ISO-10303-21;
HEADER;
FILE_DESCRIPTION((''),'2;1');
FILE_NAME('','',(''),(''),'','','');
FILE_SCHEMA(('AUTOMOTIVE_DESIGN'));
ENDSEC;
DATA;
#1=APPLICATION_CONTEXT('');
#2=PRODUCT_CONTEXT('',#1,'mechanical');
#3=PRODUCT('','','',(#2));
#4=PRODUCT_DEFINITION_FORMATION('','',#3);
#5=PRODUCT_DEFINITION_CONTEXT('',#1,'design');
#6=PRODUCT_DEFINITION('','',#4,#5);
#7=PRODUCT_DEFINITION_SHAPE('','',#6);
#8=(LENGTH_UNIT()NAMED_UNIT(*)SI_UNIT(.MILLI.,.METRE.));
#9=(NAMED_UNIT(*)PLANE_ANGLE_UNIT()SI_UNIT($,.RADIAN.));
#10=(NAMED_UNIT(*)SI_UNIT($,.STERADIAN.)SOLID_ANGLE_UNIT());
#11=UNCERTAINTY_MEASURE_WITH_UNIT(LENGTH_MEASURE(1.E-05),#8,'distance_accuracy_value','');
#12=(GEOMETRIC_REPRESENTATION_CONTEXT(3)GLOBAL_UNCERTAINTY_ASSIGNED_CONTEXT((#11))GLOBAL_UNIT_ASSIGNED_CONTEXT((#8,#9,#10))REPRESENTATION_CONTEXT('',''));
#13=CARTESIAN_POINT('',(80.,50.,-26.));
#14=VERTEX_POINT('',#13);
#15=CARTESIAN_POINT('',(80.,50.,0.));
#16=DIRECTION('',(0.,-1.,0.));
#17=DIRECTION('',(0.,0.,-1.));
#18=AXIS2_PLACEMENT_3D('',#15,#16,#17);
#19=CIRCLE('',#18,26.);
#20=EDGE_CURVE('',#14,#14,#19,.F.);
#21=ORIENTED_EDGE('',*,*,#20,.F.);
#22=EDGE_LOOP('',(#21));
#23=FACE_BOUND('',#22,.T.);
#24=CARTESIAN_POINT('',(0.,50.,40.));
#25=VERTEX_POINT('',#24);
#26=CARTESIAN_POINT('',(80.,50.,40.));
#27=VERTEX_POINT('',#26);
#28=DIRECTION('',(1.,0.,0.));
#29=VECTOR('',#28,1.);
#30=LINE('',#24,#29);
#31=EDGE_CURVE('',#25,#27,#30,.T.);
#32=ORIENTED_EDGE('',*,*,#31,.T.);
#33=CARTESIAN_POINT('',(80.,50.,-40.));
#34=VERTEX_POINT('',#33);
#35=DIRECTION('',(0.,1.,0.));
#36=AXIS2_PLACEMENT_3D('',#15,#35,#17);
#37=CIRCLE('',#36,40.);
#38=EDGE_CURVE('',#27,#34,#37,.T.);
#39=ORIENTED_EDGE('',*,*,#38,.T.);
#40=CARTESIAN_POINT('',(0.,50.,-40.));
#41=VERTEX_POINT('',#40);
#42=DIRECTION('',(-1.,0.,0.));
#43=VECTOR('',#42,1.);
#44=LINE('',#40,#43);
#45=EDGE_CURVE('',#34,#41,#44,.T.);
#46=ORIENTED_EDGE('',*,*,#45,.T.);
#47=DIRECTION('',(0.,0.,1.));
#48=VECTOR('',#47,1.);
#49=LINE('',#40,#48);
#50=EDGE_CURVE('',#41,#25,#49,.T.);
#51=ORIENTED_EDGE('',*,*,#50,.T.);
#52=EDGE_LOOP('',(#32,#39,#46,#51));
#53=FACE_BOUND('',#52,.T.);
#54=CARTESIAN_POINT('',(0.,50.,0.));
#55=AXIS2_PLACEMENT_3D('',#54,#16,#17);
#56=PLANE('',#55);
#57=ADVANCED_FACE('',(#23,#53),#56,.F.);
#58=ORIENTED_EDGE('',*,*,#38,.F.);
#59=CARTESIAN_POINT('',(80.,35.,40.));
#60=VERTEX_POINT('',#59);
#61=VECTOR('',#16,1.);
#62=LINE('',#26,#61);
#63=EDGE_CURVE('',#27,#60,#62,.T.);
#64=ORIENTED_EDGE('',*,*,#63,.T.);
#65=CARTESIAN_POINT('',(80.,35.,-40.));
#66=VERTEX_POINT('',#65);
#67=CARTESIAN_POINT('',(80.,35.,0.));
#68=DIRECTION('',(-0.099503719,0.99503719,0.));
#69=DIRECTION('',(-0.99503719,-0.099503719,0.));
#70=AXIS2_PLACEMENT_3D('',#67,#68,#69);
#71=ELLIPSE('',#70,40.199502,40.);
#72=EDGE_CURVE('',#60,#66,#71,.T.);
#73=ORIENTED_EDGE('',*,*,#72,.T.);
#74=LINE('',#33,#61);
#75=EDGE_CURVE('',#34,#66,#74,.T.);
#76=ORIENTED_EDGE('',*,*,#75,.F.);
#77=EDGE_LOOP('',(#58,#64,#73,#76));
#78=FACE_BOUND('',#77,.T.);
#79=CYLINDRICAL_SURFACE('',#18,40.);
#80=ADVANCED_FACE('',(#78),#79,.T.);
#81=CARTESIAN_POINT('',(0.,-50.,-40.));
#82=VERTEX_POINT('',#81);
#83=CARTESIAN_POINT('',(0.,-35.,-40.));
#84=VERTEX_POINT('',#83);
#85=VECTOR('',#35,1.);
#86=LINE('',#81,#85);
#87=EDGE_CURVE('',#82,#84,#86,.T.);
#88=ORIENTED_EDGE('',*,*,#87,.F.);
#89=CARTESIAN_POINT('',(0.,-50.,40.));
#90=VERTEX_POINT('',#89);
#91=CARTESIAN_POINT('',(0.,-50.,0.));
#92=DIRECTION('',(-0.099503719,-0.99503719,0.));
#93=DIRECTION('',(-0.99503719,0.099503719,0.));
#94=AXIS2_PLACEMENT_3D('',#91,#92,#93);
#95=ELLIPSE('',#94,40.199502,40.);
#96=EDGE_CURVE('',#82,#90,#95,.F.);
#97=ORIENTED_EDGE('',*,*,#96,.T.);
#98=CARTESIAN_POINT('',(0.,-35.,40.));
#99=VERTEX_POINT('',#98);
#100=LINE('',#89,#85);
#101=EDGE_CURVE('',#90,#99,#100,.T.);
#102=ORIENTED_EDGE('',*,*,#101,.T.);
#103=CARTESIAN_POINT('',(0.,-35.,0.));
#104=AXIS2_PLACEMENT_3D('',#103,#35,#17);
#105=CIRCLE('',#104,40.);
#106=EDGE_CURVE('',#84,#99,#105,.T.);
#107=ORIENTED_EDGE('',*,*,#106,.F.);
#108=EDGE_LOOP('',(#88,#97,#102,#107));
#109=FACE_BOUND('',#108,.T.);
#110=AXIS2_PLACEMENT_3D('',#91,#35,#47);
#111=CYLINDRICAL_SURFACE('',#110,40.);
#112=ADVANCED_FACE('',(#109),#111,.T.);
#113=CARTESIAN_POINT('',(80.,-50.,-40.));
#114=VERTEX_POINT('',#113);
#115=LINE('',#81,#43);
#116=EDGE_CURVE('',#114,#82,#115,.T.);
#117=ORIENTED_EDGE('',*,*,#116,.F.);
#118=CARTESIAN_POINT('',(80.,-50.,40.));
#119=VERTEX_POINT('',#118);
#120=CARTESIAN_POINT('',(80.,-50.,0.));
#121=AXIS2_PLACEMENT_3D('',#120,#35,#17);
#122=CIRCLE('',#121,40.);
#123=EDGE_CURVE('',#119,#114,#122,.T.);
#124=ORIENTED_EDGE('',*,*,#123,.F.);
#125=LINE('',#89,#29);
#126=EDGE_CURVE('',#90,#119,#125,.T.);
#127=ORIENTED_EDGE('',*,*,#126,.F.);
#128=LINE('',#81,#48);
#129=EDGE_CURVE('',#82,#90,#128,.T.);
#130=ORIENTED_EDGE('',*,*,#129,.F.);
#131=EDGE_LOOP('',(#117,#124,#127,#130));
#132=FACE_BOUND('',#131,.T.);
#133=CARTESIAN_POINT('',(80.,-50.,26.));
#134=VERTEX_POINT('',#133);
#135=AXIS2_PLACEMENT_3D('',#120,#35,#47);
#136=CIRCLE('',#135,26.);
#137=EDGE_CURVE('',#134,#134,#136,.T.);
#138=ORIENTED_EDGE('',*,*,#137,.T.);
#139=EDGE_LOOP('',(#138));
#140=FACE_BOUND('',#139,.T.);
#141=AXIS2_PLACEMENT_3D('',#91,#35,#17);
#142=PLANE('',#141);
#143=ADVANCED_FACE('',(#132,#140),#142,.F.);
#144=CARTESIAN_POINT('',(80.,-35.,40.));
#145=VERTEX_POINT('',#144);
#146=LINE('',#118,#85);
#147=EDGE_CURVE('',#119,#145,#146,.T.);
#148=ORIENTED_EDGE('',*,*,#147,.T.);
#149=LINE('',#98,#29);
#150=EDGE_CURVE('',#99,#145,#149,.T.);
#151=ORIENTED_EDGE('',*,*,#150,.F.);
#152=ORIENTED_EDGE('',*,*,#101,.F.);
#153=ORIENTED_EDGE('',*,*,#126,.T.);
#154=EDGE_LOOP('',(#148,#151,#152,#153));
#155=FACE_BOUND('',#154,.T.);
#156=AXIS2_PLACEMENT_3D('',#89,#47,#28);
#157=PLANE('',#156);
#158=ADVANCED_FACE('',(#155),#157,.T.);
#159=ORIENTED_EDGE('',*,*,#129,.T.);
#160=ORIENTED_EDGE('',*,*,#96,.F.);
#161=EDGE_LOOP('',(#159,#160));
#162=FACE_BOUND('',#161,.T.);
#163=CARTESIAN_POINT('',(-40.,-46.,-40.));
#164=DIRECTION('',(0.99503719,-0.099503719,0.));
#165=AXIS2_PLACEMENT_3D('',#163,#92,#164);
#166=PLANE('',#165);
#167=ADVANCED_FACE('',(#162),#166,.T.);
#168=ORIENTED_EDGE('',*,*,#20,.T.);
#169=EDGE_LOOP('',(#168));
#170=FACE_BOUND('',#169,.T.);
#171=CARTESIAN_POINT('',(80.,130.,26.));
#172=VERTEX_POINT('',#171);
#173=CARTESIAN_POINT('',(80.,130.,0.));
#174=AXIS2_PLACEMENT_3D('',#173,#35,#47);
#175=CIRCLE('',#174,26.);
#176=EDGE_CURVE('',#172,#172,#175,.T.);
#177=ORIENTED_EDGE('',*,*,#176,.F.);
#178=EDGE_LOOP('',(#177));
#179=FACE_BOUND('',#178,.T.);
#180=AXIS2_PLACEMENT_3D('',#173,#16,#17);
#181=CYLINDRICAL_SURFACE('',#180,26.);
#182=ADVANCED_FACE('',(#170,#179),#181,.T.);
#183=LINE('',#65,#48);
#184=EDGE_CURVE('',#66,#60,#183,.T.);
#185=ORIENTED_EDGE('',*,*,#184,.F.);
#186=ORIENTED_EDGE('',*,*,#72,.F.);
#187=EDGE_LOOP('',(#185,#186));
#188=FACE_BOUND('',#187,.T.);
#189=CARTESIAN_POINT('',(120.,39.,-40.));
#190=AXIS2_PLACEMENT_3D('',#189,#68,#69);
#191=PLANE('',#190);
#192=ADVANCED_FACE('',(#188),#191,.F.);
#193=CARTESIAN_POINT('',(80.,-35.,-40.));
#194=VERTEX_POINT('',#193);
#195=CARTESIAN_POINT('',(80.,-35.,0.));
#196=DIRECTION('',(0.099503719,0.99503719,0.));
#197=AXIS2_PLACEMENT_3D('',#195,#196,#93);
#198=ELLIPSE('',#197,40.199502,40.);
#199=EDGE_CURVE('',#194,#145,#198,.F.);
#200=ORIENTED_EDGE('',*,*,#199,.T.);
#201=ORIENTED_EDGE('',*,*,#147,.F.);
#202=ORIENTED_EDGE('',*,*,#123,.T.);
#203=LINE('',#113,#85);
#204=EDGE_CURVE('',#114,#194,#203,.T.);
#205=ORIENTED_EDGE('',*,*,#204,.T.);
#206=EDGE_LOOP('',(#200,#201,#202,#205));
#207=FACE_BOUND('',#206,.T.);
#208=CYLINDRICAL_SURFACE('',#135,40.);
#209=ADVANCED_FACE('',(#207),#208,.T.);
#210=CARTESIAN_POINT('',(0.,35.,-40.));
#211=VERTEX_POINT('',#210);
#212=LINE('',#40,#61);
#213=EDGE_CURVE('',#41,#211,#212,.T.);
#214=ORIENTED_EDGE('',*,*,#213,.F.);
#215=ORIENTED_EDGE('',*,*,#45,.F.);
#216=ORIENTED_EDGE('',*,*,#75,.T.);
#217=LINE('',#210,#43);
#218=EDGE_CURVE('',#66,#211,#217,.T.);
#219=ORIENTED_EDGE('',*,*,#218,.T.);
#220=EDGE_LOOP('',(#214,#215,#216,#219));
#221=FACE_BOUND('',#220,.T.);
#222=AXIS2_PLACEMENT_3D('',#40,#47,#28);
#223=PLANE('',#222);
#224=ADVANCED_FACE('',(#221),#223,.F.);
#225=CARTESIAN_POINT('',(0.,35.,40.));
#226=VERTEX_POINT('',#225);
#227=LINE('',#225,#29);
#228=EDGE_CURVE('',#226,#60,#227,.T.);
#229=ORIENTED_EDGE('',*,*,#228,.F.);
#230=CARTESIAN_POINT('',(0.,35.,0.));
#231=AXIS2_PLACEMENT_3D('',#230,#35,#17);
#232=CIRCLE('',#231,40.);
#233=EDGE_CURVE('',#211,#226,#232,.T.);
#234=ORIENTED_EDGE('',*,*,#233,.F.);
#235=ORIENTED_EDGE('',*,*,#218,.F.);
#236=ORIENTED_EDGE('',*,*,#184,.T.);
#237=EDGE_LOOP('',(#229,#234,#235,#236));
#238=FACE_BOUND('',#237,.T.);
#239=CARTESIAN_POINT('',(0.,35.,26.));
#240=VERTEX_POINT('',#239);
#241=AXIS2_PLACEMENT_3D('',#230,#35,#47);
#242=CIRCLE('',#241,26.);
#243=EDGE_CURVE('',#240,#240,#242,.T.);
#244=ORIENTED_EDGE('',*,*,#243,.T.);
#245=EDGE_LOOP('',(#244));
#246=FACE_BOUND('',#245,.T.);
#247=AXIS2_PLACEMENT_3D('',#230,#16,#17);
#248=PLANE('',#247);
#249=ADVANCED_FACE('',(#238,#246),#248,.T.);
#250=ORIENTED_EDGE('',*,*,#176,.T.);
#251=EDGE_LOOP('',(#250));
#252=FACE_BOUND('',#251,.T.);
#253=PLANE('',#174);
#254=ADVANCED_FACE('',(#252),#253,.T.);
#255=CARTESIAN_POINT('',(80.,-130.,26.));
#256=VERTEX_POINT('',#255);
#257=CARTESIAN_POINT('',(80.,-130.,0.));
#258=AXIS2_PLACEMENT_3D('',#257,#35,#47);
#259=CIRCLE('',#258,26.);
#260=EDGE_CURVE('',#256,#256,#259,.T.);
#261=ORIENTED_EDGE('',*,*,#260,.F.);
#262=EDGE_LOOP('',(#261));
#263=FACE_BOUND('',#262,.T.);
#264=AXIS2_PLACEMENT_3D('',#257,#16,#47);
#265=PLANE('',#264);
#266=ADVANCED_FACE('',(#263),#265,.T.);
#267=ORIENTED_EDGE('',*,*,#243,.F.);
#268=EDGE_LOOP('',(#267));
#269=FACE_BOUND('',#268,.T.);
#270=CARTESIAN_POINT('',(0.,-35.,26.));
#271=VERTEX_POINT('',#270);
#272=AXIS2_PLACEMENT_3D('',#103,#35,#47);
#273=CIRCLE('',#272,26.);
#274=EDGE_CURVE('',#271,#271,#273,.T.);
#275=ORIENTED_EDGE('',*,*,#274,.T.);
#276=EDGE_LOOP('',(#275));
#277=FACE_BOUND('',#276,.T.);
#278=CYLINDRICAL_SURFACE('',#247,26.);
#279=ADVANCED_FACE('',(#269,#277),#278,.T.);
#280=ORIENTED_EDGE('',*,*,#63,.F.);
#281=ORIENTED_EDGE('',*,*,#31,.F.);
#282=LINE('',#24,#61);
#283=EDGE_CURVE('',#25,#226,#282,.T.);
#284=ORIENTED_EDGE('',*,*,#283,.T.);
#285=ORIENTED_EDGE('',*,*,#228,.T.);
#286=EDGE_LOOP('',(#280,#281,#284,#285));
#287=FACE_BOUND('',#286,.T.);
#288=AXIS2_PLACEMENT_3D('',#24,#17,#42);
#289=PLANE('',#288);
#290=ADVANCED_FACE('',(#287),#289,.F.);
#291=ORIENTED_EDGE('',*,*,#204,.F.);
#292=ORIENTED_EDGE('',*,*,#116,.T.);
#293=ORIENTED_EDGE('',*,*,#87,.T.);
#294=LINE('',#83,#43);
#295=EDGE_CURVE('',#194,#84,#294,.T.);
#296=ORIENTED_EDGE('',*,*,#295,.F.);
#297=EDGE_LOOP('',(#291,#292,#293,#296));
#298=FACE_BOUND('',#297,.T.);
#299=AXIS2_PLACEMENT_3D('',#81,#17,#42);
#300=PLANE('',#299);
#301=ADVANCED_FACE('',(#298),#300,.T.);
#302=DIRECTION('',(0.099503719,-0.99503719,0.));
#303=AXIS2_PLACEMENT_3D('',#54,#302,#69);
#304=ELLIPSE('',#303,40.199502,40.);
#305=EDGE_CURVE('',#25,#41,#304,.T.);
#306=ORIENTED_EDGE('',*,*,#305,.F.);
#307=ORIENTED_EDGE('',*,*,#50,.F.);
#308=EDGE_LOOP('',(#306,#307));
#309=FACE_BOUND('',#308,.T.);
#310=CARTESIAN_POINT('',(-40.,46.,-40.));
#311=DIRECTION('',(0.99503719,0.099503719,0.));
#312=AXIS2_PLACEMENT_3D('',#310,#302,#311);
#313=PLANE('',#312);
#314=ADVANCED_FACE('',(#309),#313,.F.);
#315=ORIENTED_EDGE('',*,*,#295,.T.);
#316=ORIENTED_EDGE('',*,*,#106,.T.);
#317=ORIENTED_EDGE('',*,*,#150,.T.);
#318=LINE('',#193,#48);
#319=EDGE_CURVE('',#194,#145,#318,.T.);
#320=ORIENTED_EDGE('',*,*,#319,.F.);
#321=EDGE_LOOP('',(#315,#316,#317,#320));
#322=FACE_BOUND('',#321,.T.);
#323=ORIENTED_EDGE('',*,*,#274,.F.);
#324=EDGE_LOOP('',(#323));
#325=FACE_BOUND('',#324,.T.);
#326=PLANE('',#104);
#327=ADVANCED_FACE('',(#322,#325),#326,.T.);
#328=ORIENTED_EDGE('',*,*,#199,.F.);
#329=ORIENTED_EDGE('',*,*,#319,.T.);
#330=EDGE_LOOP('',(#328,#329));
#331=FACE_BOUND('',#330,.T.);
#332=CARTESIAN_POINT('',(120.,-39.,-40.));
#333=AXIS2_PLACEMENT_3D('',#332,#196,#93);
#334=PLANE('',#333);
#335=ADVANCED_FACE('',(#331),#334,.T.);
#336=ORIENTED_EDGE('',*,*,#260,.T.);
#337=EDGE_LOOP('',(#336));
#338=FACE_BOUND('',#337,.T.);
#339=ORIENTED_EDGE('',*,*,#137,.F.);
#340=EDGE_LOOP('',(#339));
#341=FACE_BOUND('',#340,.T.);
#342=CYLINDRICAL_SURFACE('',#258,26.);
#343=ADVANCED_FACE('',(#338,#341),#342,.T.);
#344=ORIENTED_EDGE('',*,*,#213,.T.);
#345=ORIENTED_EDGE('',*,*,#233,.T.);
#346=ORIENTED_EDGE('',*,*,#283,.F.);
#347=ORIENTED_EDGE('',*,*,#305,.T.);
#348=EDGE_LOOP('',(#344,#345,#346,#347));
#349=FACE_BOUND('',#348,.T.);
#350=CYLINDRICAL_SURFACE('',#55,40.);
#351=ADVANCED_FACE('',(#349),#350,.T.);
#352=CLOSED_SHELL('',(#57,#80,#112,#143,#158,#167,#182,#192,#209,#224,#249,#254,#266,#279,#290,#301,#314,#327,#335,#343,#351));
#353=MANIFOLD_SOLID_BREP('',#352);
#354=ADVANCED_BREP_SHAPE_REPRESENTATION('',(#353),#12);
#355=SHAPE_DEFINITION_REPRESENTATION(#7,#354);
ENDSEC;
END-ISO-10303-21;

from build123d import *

# Parameters (mm, degrees)
SKETCH1_R               = 26
BOSS_EXTRUDE1_DEPTH     = 35
BOSS_EXTRUDE2_DEPTH     = 15
SKETCH5_R               = 26
BOSS_EXTRUDE3_DEPTH     = 80
CUT_EXTRUDE2_DEPTH      = 41
CUT_EXTRUDE2_DEPTH_BACK = 41


with BuildPart() as part:
    # Sketch1 → Boss-Extrude1 (new body, symmetric)
    with BuildSketch(Plane(origin=(0, 0, 0), x_dir=(1, 0, 0), z_dir=(0, 1, 0))):
        Circle(SKETCH1_R)
    extrude(amount=BOSS_EXTRUDE1_DEPTH, both=True)

    # Sketch3 → Boss-Extrude2 (add)
    with BuildSketch(Plane(origin=(0, 35, 0), x_dir=(1, 0, 0), z_dir=(0, 1, 0))):
        with BuildLine():
            Line((0, 40), (80, 40))
            ThreePointArc((80, 40), (120, 0), (80, -40))
            Line((80, -40), (0, -40))
            ThreePointArc((0, -40), (-40, 0), (0, 40))
        make_face()
    boss_extrude2 = extrude(amount=BOSS_EXTRUDE2_DEPTH)

    # Mirror2: Boss-Extrude2 across plane
    add(boss_extrude2.mirror(Plane.ZX))

    # Sketch5 → Boss-Extrude3 (add)
    with BuildSketch(Plane(origin=(0, 50, 0), x_dir=(1, 0, 0), z_dir=(0, 1, 0))):
        with Locations((80, 0)):
            Circle(SKETCH5_R)
    boss_extrude3 = extrude(amount=BOSS_EXTRUDE3_DEPTH)

    # Mirror3: Boss-Extrude3 across plane
    add(boss_extrude3.mirror(Plane.ZX))

    # Sketch6 → Cut-Extrude2 (cut, two sides)
    with BuildSketch(Plane.XY) as cut_extrude2_sk:
        Polygon((0, -50), (-40, -50), (-40, -46), align=None)
        Polygon((80, -35), (120, -35), (120, -39), align=None)
        Polygon((120, 39), (80, 35), (120, 35), align=None)
        Polygon((-40, 46), (0, 50), (-40, 50), align=None)
    extrude(amount=CUT_EXTRUDE2_DEPTH, mode=Mode.SUBTRACT)
    extrude(cut_extrude2_sk.sketch, amount=-CUT_EXTRUDE2_DEPTH_BACK, mode=Mode.SUBTRACT)


solid = part.part
